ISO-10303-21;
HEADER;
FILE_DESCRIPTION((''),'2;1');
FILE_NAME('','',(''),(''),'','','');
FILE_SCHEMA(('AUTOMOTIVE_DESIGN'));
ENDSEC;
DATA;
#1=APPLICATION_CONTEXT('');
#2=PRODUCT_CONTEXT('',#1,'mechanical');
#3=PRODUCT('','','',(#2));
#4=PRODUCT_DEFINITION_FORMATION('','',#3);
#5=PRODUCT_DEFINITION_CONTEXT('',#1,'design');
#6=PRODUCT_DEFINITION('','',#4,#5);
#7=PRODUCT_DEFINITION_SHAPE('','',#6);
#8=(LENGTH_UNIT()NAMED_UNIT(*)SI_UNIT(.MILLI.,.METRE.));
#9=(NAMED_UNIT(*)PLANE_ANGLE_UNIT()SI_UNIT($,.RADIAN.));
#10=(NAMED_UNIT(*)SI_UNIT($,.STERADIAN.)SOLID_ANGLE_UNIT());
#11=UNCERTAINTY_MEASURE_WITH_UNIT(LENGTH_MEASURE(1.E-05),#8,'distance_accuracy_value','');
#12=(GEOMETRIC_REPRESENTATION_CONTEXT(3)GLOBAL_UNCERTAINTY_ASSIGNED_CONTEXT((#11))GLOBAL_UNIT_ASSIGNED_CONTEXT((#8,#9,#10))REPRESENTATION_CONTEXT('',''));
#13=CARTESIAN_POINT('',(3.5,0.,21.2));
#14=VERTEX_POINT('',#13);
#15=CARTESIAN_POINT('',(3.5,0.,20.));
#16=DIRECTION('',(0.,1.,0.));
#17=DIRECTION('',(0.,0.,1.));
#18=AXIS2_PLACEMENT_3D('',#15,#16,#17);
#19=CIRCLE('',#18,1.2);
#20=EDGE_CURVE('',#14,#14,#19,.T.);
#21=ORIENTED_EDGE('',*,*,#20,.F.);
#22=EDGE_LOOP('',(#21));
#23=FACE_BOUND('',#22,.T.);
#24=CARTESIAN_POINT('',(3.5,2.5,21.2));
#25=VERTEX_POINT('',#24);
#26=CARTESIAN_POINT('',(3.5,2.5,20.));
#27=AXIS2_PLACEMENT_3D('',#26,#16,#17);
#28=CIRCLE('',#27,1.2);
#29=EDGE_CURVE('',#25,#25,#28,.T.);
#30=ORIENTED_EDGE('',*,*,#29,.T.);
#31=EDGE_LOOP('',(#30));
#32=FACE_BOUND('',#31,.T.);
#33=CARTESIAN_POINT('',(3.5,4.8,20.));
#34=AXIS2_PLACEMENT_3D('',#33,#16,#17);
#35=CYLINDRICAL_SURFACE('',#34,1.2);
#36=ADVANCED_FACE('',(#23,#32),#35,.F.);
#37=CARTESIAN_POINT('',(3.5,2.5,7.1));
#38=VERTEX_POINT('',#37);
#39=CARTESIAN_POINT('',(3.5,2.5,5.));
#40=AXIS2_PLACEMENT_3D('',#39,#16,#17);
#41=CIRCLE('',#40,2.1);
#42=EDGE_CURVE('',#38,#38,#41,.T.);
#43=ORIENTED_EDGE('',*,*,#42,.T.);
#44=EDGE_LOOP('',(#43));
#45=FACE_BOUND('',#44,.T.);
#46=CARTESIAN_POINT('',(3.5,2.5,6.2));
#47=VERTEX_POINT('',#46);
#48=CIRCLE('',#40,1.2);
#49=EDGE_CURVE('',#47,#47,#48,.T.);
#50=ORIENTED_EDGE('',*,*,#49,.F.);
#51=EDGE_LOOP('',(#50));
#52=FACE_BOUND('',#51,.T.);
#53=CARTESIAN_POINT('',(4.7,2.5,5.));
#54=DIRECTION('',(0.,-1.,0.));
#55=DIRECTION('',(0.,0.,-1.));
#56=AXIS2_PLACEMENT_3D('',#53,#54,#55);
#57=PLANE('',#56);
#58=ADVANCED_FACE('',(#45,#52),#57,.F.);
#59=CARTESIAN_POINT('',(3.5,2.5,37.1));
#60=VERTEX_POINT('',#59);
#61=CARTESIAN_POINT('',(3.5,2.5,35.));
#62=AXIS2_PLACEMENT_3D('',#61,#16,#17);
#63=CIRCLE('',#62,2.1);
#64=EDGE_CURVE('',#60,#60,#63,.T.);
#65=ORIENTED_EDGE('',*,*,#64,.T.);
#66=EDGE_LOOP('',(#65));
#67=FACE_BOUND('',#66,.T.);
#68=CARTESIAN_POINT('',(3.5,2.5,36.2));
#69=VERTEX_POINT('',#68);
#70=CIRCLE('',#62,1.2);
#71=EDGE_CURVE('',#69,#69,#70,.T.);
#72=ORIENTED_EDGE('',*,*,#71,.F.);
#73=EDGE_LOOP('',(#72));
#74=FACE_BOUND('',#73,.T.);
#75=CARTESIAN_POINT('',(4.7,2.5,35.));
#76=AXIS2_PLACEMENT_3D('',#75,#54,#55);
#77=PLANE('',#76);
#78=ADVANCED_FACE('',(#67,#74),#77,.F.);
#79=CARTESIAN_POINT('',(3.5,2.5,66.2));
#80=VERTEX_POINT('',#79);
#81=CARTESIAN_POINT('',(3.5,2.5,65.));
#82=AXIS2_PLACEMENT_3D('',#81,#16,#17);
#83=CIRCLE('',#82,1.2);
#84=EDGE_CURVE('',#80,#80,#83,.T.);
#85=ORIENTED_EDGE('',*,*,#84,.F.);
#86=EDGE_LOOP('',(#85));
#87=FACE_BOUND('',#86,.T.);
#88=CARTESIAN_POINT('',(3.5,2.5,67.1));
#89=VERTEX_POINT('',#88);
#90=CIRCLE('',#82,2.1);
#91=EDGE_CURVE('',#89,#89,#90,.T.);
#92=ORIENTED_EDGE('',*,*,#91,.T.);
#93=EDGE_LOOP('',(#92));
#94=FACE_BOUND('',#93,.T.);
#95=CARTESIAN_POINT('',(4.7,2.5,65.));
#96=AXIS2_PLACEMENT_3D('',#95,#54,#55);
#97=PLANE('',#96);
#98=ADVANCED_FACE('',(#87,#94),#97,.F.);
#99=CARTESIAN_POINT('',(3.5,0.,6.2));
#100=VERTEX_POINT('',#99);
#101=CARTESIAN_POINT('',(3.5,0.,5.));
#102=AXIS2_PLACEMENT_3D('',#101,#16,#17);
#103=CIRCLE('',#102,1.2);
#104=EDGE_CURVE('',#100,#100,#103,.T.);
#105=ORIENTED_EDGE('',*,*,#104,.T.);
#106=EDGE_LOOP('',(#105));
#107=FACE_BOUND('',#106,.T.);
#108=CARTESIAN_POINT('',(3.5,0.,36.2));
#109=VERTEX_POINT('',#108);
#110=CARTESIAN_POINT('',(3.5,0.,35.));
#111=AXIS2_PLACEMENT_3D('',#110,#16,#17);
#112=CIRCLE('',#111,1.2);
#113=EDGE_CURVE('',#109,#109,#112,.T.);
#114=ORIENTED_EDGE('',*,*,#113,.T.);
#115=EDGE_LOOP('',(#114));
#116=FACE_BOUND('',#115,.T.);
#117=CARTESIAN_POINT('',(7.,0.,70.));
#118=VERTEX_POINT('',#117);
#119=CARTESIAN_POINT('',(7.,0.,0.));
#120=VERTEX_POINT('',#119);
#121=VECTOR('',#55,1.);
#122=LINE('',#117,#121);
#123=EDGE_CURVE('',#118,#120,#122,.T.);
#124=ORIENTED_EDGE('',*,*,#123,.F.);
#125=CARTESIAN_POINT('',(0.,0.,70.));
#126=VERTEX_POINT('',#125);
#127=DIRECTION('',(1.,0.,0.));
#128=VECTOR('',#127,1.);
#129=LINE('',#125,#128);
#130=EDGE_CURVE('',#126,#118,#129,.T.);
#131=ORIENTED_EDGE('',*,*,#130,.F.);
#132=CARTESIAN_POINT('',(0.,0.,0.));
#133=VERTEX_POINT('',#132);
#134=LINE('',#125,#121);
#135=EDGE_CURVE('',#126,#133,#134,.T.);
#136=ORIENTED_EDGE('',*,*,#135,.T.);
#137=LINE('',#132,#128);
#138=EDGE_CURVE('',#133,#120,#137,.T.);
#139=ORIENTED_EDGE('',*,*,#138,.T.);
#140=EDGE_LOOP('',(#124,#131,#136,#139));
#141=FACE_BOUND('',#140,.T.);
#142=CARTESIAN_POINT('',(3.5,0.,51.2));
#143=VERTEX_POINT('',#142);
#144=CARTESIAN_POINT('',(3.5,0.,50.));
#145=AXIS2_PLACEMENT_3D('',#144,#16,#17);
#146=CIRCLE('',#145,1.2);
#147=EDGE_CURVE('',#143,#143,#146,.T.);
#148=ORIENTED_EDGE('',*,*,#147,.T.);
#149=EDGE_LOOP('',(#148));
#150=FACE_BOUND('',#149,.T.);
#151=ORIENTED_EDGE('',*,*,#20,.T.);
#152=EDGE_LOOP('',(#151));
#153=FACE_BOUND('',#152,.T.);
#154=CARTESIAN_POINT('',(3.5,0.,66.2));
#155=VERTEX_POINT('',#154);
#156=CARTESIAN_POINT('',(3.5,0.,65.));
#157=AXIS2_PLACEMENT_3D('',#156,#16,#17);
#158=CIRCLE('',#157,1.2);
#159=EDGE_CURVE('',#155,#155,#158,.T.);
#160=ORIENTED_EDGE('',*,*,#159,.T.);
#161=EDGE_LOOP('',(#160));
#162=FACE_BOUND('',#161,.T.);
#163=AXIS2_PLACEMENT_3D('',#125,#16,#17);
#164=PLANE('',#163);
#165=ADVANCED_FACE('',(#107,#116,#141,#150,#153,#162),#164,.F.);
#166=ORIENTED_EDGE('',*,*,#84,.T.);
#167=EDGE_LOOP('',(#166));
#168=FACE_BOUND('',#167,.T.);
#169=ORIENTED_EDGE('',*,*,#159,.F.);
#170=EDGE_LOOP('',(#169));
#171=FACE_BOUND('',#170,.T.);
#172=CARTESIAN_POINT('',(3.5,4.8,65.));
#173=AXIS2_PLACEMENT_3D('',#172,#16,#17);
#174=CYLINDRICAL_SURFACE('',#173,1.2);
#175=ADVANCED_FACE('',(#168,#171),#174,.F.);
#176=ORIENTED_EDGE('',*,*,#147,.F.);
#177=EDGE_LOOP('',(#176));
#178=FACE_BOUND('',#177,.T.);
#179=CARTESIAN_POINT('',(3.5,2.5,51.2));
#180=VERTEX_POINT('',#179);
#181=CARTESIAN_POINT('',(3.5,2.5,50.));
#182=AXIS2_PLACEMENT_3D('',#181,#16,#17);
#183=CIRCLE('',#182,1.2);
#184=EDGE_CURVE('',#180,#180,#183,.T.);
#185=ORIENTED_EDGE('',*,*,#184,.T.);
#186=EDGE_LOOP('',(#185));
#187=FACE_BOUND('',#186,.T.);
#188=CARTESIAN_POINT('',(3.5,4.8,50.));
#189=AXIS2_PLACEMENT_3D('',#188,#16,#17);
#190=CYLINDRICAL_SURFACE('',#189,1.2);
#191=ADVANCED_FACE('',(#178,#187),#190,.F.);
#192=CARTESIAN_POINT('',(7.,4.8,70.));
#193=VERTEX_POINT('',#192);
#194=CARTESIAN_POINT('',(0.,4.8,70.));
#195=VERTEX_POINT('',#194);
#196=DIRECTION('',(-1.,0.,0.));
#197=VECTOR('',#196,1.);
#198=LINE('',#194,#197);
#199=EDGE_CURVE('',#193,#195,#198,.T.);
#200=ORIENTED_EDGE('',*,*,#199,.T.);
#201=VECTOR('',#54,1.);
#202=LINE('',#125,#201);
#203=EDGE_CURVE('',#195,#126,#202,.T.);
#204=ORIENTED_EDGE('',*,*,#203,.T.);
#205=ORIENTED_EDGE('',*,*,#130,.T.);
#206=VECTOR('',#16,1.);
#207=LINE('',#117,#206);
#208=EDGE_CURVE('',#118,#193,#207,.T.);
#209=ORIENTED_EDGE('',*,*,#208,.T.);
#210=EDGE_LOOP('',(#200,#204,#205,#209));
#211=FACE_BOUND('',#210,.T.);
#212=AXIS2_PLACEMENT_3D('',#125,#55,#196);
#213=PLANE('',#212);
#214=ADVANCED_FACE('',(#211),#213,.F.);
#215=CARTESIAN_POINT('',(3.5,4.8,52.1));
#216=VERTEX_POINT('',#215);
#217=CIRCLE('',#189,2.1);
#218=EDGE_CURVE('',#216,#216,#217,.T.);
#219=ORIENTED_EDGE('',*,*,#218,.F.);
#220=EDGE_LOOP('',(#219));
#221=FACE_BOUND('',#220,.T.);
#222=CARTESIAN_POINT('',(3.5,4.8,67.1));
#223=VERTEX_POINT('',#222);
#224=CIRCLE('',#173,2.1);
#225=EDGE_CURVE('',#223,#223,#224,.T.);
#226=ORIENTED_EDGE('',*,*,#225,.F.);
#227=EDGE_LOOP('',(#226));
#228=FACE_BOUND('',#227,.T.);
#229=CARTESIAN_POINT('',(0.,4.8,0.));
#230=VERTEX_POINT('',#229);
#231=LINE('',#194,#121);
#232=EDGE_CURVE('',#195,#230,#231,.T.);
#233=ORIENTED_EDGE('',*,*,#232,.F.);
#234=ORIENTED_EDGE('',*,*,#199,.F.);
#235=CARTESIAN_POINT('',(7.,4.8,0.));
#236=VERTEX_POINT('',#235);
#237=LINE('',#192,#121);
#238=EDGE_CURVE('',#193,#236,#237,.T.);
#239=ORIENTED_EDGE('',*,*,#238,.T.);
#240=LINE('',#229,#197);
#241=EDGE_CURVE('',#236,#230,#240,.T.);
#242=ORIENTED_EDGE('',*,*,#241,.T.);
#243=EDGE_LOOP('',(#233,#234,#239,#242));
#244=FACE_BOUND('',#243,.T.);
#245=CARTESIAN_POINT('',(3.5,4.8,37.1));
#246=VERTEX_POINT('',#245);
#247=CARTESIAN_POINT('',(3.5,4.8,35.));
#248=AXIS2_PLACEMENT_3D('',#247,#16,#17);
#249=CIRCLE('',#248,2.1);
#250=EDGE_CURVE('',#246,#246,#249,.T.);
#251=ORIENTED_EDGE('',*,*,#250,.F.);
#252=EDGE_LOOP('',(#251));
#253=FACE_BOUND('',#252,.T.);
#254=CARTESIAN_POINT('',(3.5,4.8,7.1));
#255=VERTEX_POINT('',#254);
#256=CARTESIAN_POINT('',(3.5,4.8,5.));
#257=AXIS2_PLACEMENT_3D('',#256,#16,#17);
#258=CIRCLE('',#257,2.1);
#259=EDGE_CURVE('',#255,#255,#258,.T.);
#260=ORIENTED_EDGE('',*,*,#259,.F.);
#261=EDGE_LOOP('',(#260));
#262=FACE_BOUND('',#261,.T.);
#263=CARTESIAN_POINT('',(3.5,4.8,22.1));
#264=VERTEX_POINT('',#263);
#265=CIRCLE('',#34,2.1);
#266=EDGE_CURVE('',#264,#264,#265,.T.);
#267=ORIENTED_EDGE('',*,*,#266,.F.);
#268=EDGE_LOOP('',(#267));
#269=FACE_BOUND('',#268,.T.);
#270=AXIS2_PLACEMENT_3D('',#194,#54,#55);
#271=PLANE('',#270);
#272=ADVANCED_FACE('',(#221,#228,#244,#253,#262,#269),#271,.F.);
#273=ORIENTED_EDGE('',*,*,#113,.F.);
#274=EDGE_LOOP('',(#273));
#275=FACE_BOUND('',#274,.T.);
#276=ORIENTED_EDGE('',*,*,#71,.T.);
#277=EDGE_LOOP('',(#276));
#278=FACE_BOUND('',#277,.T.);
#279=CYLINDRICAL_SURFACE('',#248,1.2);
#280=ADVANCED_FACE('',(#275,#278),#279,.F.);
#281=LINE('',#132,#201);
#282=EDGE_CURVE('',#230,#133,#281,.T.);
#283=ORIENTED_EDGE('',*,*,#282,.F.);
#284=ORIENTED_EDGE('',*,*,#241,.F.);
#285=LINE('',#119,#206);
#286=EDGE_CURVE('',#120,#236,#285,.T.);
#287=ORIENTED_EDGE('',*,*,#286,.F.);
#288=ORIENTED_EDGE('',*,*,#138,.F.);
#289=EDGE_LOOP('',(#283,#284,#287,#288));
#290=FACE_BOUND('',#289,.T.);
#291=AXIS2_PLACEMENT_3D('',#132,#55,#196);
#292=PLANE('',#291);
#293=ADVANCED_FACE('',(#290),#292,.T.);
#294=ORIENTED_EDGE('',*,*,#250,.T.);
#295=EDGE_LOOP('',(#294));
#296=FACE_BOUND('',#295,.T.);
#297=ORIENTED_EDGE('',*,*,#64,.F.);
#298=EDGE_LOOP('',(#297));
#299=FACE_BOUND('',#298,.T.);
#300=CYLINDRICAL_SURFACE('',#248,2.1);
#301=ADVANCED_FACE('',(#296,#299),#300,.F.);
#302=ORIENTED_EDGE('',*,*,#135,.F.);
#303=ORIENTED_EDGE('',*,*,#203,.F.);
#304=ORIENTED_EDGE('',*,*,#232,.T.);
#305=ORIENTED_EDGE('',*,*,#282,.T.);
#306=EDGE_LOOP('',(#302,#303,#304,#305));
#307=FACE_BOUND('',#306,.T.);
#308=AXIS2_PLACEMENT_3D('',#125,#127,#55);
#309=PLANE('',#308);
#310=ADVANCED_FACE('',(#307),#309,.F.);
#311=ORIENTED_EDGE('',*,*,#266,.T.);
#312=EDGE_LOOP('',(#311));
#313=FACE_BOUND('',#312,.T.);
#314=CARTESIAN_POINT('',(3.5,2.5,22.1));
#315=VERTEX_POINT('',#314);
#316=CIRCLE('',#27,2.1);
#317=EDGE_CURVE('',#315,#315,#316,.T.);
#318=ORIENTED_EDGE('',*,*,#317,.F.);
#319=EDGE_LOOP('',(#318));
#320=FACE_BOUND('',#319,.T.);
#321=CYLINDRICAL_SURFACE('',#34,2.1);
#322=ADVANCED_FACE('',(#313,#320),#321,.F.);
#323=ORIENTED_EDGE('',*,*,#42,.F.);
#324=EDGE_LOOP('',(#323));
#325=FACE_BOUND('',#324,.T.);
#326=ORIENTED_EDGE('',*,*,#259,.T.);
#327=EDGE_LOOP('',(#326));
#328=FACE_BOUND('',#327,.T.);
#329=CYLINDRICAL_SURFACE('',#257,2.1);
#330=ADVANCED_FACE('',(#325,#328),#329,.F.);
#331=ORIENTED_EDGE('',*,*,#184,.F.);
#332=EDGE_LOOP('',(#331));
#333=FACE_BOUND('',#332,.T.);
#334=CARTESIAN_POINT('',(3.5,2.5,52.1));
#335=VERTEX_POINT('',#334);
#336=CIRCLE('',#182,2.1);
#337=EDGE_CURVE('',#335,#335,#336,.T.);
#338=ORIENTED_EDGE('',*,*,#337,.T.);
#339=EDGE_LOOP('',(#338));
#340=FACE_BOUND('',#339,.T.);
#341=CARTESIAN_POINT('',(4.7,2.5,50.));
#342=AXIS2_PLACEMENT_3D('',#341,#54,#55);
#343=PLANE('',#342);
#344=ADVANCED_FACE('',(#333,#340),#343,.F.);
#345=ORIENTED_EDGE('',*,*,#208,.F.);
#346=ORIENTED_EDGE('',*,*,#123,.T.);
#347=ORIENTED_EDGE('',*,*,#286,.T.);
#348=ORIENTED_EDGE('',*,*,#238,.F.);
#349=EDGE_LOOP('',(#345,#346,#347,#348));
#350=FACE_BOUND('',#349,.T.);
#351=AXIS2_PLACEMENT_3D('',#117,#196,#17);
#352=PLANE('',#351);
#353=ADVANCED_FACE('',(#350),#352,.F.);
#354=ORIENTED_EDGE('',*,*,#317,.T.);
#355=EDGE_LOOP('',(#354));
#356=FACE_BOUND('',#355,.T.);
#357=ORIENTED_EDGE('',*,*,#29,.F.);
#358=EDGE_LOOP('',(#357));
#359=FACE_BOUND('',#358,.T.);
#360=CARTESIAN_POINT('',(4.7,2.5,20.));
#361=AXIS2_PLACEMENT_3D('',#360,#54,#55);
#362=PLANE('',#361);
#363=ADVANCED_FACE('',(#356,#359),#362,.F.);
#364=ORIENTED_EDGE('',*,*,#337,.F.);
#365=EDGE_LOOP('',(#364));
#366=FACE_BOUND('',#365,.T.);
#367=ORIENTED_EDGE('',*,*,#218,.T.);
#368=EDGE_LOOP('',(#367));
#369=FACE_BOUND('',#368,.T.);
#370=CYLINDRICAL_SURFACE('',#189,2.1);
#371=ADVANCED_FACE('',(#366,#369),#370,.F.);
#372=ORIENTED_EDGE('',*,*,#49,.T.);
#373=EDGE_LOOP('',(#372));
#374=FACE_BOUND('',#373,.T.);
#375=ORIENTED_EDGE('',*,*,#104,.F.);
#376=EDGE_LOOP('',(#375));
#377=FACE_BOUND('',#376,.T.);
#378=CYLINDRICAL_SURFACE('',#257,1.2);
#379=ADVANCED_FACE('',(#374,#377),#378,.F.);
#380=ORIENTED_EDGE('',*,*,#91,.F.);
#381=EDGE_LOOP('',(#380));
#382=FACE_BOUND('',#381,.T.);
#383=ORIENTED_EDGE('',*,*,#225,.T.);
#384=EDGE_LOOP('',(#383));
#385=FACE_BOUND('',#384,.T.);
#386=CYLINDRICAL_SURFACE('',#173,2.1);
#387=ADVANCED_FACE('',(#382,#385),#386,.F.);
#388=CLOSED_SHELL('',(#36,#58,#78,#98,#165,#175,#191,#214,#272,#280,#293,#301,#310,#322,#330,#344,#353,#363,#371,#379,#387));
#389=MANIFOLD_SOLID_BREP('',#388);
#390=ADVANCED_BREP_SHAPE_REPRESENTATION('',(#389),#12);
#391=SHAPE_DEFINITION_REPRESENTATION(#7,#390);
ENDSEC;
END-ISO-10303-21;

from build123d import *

# Parameters (mm, degrees)
SKETCH1_W                      = 7
SKETCH1_H                      = 4.8
BOSS_EXTRUDE1_DEPTH            = 70
CBORE_FOR_M2_SHCS1_D           = 2.4
CBORE_FOR_M2_SHCS1_CBORE_D     = 4.2
CBORE_FOR_M2_SHCS1_CBORE_DEPTH = 2.3


with BuildPart() as part:
    # Sketch1 → Boss-Extrude1 (new body)
    with BuildSketch(Plane.XY):
        with Locations((3.5, 2.4)):
            Rectangle(SKETCH1_W, SKETCH1_H)
    extrude(amount=BOSS_EXTRUDE1_DEPTH)

    # CBORE for M2 SHCS1 (through all)
    with Locations(Plane(origin=(0, 4.8, 0), x_dir=(1, 0, 0), z_dir=(0, 1, 0))):
        with Locations((3.5, -65), (3.5, -50), (3.5, -35), (3.5, -20), (3.5, -5)):
            CounterBoreHole(CBORE_FOR_M2_SHCS1_D / 2, CBORE_FOR_M2_SHCS1_CBORE_D / 2, CBORE_FOR_M2_SHCS1_CBORE_DEPTH)


solid = part.part
